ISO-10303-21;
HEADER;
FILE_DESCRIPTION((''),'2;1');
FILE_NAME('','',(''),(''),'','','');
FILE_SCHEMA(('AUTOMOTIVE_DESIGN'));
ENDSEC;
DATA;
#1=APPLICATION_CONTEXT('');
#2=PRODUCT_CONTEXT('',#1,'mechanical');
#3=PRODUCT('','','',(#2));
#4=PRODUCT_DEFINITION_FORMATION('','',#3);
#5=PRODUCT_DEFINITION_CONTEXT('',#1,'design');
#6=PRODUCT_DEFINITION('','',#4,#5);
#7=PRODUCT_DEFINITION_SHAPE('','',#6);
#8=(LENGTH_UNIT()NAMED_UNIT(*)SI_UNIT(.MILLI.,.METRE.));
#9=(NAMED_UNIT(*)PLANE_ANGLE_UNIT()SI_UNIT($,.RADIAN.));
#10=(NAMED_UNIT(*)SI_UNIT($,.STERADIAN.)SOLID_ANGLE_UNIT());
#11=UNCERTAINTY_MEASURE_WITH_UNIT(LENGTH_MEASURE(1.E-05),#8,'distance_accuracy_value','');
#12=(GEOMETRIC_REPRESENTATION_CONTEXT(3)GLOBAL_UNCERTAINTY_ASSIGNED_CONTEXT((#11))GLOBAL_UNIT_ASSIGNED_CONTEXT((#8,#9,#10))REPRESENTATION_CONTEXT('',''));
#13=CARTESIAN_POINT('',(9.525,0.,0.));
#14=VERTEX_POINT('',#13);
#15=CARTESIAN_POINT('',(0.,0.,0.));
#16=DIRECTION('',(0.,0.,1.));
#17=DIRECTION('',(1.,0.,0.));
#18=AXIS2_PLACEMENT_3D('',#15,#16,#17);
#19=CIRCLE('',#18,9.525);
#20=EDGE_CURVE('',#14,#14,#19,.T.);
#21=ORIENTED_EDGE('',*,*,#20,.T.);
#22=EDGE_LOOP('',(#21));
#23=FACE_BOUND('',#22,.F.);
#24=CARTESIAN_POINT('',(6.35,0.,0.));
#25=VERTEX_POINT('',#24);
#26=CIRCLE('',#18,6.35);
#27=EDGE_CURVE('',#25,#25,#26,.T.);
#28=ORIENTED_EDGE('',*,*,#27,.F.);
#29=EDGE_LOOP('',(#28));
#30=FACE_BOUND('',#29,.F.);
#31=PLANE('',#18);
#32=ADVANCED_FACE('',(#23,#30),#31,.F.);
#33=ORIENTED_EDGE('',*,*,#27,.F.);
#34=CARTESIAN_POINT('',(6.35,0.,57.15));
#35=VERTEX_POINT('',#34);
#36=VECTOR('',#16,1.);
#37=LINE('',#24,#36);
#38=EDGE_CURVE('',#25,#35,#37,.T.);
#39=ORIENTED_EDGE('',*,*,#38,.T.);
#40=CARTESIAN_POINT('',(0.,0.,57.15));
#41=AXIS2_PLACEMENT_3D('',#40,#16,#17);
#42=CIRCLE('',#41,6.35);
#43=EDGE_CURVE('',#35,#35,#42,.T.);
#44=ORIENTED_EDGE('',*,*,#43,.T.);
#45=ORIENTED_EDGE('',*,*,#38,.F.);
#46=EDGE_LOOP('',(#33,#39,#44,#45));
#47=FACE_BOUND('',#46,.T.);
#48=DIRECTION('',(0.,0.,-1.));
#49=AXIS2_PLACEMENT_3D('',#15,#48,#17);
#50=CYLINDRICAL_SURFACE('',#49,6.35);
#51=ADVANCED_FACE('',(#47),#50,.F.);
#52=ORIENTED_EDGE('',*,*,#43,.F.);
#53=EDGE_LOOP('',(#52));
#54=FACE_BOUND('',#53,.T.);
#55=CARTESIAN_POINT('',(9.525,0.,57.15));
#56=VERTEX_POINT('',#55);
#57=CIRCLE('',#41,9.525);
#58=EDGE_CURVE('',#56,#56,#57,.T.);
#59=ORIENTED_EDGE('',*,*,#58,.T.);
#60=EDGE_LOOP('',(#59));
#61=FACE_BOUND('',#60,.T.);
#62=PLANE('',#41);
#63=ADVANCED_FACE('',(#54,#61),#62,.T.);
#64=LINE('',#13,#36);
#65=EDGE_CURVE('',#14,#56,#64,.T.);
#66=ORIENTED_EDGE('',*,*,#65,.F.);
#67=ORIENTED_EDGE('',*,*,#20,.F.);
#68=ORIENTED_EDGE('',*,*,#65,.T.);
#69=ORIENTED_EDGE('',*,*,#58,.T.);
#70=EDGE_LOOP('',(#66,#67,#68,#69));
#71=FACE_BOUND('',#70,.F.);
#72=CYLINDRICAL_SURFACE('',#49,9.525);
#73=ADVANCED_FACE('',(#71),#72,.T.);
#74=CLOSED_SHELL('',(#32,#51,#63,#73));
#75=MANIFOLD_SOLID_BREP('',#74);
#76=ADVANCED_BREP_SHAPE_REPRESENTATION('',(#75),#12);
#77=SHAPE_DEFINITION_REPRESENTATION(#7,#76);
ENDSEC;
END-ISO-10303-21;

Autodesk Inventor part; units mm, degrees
ref_plane "YZ Plane" through (0, 0, 0) normal (1, 0, 0) x (0, 1, 0)
ref_plane "XZ Plane" through (0, 0, 0) normal (0, 1, 0) x (-1, 0, 0)
ref_plane "XY Plane" through (0, 0, 0) normal (0, 0, 1) x (1, 0, 0)
sketch "Sketch1" plane through (0, 0, 0) normal (0, 0, 1) x (1, 0, 0)
  circle A0 centre (0, 0) radius 9.525
  circle A1 centre (0, 0) radius 6.35
  dimension "d0" = 12.7
  dimension "d1" = 19.05
extrude "Extrusion1" add sketch "Sketch1" along normal blind 57.15
properties part number "Main Standoff"
